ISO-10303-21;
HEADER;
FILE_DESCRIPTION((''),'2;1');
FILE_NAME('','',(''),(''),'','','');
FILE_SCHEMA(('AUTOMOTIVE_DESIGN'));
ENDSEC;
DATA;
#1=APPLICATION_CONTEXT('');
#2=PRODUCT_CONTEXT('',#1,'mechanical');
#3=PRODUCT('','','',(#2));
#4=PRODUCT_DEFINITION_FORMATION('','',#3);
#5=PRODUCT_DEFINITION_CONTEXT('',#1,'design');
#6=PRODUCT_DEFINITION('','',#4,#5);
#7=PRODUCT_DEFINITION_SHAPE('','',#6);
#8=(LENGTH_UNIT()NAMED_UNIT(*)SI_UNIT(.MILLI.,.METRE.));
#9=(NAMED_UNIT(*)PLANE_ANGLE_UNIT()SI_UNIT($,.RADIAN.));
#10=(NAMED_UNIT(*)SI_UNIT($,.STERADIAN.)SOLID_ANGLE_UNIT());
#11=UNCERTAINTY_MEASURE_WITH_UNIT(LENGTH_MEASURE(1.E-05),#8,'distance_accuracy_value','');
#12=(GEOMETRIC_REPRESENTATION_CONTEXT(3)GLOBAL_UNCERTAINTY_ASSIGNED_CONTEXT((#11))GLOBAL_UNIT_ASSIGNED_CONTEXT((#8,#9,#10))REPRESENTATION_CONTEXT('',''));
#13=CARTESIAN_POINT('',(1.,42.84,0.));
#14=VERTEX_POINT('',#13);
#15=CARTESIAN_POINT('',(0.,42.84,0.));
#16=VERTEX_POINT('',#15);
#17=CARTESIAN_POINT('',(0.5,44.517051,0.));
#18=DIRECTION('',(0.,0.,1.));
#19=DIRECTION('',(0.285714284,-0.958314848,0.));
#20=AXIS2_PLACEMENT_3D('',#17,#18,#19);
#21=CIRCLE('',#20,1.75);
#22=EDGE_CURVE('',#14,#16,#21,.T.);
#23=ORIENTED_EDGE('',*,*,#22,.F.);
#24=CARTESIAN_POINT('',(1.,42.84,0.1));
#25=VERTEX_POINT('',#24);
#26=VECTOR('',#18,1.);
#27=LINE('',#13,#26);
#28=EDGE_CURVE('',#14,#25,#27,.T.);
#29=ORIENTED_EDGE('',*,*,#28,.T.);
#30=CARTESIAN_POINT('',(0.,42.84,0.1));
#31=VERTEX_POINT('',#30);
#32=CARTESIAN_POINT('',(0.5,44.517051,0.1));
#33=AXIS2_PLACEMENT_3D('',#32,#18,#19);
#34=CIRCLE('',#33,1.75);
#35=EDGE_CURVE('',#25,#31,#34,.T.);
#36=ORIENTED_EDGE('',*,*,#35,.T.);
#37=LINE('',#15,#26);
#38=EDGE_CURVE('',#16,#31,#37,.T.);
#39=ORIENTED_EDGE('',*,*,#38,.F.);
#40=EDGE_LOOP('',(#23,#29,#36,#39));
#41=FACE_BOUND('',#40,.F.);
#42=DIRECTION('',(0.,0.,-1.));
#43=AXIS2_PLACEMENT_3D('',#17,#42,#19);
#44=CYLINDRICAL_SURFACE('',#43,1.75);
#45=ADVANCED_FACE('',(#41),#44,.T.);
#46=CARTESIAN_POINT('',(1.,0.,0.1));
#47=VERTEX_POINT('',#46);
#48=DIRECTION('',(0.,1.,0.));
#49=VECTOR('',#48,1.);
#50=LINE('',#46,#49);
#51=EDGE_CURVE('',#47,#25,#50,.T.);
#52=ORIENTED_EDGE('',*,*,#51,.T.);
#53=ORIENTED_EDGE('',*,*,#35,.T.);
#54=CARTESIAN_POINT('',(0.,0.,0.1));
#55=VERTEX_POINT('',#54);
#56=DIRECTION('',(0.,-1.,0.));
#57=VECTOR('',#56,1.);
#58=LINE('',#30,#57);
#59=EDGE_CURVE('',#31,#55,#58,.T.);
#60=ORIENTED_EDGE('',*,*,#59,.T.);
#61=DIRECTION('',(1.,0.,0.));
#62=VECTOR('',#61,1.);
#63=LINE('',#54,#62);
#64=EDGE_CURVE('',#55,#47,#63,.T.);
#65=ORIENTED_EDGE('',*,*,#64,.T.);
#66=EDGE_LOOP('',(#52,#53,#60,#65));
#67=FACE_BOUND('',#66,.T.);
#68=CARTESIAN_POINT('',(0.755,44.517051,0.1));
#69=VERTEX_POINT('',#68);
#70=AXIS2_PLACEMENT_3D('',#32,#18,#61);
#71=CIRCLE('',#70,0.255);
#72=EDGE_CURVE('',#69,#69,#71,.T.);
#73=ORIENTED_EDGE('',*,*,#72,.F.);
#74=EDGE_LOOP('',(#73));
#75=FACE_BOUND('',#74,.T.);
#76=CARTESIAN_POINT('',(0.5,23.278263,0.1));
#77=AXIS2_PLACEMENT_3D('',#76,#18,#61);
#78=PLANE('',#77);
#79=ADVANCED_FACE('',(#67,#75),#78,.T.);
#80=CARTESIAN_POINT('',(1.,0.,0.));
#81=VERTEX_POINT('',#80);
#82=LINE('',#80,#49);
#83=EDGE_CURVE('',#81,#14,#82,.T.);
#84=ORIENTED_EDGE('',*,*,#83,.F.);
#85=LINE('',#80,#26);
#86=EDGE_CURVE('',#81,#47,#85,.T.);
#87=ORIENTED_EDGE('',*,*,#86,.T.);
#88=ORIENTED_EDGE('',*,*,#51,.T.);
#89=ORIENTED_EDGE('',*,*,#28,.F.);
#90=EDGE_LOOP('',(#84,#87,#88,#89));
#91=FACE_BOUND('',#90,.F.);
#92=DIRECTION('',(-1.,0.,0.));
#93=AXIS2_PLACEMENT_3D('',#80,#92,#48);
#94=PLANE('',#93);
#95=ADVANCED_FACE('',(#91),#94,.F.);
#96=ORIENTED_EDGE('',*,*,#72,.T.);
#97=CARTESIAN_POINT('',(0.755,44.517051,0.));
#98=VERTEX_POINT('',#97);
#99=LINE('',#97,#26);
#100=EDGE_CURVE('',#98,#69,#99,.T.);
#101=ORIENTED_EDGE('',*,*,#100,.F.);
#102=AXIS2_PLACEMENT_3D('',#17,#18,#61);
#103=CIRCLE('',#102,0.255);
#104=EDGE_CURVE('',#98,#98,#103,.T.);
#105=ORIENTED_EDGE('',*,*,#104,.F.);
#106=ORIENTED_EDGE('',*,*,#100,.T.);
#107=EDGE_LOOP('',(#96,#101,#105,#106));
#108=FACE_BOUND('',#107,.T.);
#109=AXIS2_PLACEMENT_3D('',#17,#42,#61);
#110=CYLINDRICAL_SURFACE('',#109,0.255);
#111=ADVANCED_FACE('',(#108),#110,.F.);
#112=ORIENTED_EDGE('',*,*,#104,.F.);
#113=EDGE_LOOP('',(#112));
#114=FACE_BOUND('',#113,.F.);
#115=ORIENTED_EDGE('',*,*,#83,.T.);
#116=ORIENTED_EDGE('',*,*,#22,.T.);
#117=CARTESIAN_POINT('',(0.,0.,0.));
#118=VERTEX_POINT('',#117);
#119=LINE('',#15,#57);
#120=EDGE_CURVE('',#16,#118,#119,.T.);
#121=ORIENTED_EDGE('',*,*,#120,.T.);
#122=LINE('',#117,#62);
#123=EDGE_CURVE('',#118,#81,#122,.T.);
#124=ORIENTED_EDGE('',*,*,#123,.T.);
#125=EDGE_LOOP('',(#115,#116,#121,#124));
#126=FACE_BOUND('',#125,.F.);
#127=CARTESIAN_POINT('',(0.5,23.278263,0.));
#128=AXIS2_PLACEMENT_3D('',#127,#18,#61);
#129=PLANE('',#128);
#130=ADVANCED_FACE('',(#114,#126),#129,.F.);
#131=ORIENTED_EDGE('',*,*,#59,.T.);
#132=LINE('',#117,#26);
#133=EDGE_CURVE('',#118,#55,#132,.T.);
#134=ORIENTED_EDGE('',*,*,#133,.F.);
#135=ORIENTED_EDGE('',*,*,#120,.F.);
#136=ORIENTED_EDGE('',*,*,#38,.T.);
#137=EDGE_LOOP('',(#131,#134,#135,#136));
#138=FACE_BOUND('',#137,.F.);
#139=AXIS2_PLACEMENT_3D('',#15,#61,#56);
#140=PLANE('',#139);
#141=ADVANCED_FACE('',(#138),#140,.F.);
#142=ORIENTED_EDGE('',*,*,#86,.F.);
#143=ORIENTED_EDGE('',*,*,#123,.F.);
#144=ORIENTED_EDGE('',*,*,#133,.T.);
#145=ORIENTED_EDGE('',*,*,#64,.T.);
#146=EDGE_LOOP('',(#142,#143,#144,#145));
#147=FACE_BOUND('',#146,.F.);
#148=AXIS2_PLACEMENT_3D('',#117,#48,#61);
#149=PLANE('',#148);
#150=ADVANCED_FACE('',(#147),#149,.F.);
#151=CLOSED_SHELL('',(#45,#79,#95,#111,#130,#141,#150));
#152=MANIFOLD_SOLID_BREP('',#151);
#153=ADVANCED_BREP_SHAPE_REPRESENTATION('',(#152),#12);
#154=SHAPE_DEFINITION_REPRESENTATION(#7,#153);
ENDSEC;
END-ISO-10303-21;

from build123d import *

# Parameters (mm, degrees)
F0_R     = 0.255
F1_DEPTH = 0.1


with BuildPart() as f1:
    # F0 (on Top) → F1 (new body)
    with BuildSketch(Plane.XY):
        with BuildLine():
            Line((0, 42.84), (0, 0))
            Line((0, 0), (1, 0))
            Line((1, 0), (1, 42.84))
            ThreePointArc((1, 42.84), (0.5, 46.267051), (0, 42.84))
        make_face()
        with Locations((0.5, 44.517051)):
            Circle(F0_R, mode=Mode.SUBTRACT)
    extrude(amount=F1_DEPTH)


solid = f1.part
